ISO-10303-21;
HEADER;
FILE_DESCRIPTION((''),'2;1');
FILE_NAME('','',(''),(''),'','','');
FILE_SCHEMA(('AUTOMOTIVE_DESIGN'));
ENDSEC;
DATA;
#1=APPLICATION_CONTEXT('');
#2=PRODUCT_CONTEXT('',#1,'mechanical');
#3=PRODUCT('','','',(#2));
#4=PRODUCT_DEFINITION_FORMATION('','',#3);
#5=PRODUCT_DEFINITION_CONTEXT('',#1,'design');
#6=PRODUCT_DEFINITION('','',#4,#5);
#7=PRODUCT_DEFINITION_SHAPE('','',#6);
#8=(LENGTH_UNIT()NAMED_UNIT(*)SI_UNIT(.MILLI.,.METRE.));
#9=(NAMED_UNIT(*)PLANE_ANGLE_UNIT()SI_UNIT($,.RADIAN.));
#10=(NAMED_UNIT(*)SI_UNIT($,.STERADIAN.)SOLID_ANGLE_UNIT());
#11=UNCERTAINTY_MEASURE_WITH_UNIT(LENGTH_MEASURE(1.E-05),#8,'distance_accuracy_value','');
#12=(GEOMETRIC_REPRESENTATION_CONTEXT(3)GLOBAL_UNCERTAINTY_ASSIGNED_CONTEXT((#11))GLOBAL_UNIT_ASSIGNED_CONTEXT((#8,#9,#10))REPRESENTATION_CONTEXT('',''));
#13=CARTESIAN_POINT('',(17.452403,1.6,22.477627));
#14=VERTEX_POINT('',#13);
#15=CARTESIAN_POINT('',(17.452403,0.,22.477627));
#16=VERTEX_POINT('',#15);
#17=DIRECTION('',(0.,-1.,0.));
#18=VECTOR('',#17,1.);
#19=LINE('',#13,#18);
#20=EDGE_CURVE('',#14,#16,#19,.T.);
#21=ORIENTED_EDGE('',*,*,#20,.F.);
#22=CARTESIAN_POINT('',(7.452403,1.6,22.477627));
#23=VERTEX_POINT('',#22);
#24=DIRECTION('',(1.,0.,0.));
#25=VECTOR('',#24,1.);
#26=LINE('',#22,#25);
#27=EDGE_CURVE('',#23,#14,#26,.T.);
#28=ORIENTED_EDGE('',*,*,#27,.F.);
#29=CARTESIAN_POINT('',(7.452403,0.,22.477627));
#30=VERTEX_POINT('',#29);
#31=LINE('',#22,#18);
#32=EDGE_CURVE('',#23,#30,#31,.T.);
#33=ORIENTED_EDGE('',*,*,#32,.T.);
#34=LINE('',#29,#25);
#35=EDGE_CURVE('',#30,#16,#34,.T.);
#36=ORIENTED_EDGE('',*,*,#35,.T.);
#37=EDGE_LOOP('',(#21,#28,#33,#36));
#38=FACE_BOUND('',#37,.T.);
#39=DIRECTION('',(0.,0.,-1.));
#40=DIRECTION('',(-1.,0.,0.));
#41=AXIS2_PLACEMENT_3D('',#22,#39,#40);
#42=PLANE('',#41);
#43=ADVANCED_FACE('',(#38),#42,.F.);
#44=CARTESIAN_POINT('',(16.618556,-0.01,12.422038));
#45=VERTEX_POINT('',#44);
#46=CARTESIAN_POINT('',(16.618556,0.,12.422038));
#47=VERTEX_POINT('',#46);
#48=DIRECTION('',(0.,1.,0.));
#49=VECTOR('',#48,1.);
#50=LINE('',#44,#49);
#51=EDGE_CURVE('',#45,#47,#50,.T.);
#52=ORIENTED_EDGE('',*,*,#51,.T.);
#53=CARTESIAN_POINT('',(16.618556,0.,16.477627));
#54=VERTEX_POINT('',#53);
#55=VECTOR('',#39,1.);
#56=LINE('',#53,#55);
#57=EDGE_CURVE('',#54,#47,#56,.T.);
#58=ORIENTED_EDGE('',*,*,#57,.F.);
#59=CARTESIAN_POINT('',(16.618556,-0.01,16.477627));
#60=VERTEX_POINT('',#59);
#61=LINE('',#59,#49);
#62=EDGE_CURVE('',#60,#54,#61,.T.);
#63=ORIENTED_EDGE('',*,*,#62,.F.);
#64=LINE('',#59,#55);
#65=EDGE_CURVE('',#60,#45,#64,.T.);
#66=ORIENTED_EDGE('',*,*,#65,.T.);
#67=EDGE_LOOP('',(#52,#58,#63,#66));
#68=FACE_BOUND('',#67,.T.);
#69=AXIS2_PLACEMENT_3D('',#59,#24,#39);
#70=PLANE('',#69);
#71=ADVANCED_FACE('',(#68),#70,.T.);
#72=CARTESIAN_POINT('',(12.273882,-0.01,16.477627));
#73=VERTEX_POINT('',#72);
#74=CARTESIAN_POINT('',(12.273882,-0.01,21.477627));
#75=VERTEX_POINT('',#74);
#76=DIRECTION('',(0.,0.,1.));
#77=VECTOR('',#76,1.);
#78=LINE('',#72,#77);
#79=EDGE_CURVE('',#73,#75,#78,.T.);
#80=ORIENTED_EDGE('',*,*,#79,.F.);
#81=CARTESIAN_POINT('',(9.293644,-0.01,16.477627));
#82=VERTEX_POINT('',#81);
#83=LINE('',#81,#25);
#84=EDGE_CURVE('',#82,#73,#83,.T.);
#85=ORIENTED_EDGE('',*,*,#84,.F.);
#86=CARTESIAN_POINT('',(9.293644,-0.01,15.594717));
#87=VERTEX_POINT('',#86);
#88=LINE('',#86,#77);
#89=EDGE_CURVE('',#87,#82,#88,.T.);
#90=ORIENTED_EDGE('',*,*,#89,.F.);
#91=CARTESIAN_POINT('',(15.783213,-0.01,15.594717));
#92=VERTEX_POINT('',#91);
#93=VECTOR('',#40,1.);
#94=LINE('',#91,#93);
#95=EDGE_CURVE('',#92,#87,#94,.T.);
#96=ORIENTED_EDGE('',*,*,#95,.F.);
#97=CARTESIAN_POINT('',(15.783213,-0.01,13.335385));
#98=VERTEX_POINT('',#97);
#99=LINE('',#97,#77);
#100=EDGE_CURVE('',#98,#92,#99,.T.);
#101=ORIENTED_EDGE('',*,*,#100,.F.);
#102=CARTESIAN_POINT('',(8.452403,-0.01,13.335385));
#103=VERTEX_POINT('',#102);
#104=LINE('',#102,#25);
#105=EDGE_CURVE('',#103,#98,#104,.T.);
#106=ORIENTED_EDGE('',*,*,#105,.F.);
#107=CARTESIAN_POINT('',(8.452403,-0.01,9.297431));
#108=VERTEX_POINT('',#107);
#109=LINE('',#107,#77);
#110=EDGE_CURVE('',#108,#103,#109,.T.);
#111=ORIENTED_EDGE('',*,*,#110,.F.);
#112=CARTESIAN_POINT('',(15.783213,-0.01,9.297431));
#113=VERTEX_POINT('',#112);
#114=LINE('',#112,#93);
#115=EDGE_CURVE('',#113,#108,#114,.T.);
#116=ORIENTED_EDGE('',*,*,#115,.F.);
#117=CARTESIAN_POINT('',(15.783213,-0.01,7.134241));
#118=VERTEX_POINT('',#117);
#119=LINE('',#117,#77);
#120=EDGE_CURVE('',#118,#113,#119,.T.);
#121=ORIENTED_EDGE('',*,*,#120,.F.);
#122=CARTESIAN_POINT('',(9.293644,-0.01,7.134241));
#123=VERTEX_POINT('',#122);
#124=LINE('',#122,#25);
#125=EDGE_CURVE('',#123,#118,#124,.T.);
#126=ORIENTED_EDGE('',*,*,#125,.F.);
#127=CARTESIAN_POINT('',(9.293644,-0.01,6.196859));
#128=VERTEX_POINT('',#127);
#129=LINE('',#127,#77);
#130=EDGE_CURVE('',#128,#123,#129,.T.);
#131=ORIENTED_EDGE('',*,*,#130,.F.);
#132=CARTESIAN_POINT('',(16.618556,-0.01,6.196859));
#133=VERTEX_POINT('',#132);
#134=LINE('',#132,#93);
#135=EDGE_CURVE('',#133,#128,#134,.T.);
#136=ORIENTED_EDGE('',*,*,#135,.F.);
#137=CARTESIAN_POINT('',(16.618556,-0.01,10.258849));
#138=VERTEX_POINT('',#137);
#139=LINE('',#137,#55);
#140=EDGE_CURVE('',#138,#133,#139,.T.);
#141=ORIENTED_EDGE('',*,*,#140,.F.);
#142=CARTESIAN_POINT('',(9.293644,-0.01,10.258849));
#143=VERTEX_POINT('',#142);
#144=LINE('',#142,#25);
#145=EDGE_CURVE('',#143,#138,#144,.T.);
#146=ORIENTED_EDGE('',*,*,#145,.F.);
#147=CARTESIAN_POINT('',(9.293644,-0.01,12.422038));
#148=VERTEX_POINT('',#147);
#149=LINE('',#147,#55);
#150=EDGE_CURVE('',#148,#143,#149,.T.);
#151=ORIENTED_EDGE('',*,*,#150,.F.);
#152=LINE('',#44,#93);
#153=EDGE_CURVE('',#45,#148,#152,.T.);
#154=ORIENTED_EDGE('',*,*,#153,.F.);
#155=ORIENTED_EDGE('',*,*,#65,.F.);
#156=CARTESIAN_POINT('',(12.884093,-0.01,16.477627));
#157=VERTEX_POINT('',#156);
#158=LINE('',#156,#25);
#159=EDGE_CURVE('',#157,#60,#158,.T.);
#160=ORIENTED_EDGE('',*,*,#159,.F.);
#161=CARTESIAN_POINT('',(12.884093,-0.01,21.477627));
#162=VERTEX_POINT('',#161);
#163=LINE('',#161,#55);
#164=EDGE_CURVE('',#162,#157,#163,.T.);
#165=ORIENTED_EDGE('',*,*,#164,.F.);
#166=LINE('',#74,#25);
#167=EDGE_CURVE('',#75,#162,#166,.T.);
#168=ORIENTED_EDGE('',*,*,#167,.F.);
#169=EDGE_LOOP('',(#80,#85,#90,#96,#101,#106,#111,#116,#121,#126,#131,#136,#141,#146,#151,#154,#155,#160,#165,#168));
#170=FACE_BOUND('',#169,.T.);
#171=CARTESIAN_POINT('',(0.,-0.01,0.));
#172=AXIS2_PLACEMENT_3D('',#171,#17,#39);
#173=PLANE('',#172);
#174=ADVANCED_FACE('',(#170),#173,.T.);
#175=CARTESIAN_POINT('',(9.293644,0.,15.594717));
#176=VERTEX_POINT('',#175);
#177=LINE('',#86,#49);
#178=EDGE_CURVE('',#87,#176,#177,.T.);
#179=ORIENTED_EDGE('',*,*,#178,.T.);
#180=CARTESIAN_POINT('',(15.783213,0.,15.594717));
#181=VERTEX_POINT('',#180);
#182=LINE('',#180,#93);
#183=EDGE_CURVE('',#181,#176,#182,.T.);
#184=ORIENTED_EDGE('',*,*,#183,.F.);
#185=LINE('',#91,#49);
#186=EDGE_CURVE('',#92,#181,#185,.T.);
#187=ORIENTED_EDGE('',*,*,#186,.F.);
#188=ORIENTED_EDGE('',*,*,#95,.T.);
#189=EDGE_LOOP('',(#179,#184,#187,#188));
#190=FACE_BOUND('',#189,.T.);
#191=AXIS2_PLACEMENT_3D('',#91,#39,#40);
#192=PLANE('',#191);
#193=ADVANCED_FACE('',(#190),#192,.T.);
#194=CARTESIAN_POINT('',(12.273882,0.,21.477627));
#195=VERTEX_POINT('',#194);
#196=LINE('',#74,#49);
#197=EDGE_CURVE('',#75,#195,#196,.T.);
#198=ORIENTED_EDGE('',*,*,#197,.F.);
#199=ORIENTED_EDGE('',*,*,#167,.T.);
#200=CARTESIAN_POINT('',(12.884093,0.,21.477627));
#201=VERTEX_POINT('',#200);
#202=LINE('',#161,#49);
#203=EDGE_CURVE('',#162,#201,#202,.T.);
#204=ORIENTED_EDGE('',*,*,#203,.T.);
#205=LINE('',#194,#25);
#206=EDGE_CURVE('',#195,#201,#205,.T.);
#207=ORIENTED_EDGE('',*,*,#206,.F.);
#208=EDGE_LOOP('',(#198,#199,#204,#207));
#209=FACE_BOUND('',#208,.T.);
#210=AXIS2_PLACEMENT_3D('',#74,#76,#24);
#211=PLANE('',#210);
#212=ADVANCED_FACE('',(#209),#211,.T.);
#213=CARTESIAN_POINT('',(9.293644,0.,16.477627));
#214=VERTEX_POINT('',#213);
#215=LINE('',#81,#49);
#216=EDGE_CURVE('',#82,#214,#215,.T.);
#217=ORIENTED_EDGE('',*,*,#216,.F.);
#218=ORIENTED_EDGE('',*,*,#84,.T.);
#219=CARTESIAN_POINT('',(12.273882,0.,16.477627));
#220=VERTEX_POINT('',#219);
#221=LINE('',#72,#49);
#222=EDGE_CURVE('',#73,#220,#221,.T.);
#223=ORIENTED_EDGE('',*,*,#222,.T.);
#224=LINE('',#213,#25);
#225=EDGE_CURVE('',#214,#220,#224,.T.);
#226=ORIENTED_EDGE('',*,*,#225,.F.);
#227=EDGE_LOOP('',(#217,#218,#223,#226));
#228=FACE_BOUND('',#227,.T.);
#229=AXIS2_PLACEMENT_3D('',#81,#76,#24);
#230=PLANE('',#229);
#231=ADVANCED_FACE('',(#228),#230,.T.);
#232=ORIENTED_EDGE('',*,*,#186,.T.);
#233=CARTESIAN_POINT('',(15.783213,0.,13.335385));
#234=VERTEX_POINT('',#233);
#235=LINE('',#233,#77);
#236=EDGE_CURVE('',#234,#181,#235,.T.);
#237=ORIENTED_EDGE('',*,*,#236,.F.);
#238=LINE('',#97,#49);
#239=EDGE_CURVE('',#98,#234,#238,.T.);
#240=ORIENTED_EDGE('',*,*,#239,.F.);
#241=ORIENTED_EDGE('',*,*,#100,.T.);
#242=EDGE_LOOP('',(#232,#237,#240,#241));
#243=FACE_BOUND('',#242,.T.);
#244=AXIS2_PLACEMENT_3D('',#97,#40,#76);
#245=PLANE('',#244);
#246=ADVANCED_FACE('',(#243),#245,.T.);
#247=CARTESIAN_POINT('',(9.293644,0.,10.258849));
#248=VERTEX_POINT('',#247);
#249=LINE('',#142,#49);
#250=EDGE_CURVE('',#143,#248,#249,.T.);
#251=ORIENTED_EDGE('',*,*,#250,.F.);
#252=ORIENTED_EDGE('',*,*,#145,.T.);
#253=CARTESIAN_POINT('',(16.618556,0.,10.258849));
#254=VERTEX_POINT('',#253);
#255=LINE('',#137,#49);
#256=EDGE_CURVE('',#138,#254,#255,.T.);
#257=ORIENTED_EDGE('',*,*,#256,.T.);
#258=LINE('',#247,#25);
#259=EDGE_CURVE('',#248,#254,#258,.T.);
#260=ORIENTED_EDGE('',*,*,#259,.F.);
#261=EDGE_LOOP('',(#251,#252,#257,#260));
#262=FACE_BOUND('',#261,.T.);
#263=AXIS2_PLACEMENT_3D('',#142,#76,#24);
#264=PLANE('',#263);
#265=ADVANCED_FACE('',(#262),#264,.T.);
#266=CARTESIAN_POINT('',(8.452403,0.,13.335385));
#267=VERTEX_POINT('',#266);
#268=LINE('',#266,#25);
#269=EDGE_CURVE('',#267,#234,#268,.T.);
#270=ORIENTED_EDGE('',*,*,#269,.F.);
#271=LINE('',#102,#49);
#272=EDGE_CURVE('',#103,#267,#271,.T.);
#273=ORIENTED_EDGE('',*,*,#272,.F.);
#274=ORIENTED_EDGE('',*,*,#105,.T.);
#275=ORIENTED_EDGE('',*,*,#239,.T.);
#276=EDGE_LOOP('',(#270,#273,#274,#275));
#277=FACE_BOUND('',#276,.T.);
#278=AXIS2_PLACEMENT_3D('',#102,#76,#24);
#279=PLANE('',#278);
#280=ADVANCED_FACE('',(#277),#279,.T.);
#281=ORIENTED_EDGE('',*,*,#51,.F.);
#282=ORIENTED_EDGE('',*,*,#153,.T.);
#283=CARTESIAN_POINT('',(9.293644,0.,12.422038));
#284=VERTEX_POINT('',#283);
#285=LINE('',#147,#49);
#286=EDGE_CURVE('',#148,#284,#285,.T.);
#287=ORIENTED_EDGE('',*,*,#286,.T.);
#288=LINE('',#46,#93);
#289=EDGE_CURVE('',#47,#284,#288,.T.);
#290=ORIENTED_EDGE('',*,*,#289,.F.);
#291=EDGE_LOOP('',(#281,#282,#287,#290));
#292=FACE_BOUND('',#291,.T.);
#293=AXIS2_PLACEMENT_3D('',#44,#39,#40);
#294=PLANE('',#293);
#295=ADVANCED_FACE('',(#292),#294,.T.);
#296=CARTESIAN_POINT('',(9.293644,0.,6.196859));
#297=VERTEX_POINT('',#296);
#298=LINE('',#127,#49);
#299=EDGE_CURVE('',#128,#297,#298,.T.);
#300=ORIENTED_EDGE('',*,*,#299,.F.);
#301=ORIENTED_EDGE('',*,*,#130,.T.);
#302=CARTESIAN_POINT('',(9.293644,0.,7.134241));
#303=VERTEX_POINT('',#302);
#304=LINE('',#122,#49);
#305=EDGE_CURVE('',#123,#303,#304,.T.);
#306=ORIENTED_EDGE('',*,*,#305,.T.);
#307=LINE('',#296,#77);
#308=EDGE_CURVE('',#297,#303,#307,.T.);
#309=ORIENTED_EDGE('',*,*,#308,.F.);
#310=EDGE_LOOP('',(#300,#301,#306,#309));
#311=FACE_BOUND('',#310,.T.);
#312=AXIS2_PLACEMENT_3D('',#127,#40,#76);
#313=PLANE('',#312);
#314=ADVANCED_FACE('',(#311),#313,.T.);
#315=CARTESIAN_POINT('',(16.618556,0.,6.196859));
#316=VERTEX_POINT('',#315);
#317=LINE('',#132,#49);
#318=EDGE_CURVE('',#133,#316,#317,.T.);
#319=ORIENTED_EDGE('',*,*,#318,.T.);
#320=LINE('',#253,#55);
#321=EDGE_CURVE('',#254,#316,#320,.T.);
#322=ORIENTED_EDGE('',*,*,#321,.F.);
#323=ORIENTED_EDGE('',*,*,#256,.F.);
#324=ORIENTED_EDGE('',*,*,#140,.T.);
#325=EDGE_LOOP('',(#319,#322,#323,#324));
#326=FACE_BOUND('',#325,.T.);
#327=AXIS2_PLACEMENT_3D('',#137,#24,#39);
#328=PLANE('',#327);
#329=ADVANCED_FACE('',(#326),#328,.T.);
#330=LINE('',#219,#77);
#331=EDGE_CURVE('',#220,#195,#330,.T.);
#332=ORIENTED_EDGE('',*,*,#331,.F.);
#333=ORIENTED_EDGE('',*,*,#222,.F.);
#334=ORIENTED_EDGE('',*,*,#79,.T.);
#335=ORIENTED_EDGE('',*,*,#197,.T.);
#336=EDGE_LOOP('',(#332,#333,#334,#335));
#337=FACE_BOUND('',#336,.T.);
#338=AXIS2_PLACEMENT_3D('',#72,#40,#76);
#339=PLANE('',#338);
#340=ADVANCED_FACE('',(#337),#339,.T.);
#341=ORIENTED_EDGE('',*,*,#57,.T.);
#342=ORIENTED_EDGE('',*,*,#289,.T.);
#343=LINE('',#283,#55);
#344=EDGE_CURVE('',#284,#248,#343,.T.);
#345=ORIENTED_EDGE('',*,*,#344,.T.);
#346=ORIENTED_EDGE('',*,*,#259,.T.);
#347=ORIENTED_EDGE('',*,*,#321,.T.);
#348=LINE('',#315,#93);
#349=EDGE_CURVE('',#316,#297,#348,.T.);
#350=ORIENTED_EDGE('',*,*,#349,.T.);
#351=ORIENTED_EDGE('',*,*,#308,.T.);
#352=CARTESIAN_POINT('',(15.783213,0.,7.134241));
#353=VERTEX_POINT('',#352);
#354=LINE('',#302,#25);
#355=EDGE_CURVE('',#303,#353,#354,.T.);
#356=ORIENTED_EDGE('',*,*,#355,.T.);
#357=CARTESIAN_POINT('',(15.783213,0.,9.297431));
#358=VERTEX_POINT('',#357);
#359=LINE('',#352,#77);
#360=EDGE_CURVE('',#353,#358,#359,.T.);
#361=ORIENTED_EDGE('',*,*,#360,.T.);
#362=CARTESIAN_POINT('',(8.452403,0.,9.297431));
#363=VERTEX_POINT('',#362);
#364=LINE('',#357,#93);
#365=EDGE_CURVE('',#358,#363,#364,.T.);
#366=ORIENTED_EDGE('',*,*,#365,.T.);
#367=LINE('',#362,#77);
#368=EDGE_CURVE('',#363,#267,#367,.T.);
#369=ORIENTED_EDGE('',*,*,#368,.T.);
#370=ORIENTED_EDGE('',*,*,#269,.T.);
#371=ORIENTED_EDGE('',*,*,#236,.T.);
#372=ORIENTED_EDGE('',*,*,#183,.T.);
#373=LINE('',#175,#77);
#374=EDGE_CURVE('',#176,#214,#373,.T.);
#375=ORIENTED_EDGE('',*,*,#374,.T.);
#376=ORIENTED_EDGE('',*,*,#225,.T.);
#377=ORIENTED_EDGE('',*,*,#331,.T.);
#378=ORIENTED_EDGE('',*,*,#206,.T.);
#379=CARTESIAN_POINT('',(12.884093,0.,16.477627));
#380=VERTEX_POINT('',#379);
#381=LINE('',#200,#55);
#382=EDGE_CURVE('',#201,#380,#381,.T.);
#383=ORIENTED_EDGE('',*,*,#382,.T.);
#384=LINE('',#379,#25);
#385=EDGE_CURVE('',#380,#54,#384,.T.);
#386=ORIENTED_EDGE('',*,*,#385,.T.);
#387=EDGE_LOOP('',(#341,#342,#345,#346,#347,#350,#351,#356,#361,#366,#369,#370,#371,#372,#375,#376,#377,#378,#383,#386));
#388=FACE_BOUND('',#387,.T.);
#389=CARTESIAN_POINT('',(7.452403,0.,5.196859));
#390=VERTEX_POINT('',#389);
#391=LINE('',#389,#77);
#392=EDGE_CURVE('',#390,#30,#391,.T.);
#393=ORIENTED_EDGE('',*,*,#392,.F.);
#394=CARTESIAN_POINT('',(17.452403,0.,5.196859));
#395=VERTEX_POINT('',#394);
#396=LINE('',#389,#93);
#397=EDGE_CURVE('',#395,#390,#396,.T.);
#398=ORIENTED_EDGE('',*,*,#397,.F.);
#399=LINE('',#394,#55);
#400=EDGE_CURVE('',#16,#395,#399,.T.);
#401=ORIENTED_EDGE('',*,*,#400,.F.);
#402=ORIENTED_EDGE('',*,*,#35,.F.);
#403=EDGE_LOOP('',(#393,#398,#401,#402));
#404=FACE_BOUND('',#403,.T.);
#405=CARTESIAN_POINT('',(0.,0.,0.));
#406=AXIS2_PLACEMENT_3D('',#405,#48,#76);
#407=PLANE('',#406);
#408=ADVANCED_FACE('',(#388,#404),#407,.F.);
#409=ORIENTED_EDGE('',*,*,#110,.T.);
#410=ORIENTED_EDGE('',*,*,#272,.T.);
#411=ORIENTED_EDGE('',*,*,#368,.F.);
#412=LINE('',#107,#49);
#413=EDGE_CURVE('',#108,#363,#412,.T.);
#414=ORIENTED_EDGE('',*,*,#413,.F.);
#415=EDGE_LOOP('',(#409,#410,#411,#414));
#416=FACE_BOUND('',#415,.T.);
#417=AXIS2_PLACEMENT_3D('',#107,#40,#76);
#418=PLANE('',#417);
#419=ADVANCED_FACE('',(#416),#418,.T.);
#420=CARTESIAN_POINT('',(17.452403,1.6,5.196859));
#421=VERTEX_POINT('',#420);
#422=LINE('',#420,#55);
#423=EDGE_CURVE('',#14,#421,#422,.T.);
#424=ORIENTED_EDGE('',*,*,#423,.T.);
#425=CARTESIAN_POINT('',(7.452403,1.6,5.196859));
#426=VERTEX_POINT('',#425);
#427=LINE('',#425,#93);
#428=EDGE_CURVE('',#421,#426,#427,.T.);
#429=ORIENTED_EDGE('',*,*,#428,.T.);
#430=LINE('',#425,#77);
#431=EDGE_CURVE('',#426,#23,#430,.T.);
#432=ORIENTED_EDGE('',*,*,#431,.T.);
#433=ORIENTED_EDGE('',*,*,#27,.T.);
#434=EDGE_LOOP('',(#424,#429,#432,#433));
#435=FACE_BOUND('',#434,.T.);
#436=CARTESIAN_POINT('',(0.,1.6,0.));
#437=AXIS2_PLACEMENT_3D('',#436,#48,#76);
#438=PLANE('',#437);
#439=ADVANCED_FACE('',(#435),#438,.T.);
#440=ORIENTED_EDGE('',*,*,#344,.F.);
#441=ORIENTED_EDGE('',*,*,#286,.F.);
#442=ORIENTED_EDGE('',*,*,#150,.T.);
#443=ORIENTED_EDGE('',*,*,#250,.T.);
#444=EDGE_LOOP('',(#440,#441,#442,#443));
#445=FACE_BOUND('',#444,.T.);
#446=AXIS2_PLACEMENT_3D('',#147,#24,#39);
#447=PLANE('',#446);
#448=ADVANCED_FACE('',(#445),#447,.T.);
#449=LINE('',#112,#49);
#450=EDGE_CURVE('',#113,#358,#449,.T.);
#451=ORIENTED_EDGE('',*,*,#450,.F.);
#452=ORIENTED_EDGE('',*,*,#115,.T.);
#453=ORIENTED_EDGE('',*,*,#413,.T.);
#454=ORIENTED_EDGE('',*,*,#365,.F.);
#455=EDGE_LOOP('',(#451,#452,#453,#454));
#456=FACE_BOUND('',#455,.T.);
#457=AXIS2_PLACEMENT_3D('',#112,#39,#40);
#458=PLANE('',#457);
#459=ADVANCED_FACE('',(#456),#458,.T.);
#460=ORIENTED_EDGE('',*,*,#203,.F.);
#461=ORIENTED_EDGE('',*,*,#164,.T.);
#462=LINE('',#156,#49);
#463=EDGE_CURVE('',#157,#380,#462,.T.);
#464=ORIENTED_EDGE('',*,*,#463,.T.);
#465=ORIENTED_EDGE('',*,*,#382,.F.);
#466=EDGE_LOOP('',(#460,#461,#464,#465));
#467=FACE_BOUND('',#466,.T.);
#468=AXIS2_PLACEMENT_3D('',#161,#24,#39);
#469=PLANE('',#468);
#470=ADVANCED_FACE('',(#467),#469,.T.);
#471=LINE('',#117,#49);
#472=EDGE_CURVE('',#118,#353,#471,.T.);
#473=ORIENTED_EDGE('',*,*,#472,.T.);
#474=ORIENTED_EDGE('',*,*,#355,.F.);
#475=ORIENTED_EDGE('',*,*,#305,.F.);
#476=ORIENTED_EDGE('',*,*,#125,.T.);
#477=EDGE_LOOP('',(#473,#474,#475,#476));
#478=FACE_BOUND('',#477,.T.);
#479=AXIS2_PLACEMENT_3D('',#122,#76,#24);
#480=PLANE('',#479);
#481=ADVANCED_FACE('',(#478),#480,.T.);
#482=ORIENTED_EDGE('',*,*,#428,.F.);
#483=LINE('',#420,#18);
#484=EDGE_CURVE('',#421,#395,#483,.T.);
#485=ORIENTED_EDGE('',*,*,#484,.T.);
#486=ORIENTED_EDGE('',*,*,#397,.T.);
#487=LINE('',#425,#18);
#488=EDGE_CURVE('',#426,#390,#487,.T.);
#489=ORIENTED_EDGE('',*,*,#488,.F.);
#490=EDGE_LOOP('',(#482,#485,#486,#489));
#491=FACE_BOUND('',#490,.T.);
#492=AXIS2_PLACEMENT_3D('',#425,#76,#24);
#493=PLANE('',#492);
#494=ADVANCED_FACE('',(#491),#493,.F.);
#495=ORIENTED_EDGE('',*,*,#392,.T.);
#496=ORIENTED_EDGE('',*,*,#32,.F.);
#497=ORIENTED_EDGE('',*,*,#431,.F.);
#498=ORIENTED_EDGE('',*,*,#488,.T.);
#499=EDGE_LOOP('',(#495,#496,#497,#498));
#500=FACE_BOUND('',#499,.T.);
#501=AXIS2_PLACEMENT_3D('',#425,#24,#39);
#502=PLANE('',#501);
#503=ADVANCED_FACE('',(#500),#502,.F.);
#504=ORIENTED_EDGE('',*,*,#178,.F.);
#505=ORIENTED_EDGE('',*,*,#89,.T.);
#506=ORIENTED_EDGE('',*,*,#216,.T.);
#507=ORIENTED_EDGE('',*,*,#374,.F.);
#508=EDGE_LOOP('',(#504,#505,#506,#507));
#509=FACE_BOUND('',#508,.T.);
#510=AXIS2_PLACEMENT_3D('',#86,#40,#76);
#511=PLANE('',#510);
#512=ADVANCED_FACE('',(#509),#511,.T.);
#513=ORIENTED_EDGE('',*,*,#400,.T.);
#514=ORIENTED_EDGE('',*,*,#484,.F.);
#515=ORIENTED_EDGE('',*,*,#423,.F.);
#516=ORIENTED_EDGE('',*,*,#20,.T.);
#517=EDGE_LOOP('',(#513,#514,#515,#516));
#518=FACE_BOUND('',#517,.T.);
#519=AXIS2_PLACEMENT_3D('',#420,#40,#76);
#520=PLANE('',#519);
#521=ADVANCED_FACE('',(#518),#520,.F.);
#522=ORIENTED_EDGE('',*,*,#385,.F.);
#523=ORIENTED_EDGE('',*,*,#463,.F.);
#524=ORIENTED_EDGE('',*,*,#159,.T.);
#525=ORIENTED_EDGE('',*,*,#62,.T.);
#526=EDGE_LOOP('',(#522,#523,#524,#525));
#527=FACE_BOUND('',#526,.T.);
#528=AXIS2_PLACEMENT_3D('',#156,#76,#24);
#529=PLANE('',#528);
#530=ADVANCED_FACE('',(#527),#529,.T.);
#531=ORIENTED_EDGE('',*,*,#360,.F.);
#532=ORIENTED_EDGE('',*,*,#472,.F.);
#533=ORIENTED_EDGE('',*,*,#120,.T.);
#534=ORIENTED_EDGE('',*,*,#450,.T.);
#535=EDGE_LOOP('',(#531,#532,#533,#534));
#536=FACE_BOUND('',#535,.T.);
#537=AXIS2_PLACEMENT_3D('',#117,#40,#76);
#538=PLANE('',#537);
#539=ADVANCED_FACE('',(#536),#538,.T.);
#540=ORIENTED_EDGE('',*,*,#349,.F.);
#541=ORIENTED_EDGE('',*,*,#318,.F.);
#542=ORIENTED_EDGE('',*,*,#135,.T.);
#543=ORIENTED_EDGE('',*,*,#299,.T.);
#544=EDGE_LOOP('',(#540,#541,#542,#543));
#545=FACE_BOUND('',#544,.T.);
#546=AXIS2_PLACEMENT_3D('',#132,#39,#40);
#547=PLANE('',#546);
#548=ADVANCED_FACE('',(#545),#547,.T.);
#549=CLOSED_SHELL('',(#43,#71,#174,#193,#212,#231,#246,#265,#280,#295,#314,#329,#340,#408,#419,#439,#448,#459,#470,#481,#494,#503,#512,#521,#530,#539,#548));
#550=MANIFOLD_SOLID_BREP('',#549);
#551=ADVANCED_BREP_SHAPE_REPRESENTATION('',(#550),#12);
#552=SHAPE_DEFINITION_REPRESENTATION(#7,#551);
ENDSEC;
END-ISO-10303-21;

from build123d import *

# Parameters (mm, degrees)
SKETCH_2_W      = 10
SKETCH_2_H      = 17.280767805
EXTRUDE_1_DEPTH = 1.6
EXTRUDE_2_DEPTH = 0.01


with BuildPart() as part:
    # Эскиз2 → Бобышка-Вытянуть1 (new body)
    with BuildSketch(Plane(origin=(0, 0, 0), x_dir=(1, 0, 0), z_dir=(0, 1, 0))):
        with Locations((12.452403324, -13.837242614)):
            Rectangle(SKETCH_2_W, SKETCH_2_H)
    extrude(amount=EXTRUDE_1_DEPTH)

    # Эскиз1 → Бобышка-Вытянуть2 (add)
    with BuildSketch(Plane(origin=(0, 0, 0), x_dir=(1, 0, 0), z_dir=(0, 1, 0))):
        Polygon((12.273882011, -21.477626516), (12.884093179, -21.477626516), (12.884093179, -16.477626516), (16.618556013, -16.477626516), (16.618556013, -12.422038386), (9.29364382, -12.422038386), (9.29364382, -10.258848538), (16.618556013, -10.258848538), (16.618556013, -6.196858711), (9.29364382, -6.196858711), (9.29364382, -7.134240978), (15.783213366, -7.134240978), (15.783213366, -9.297430827), (8.452403324, -9.297430827), (8.452403324, -13.335385211), (15.783213366, -13.335385211), (15.783213366, -15.594716831), (9.29364382, -15.594716831), (9.29364382, -16.477626516), (12.273882011, -16.477626516), align=None)
    extrude(amount=-EXTRUDE_2_DEPTH)


solid = part.part
